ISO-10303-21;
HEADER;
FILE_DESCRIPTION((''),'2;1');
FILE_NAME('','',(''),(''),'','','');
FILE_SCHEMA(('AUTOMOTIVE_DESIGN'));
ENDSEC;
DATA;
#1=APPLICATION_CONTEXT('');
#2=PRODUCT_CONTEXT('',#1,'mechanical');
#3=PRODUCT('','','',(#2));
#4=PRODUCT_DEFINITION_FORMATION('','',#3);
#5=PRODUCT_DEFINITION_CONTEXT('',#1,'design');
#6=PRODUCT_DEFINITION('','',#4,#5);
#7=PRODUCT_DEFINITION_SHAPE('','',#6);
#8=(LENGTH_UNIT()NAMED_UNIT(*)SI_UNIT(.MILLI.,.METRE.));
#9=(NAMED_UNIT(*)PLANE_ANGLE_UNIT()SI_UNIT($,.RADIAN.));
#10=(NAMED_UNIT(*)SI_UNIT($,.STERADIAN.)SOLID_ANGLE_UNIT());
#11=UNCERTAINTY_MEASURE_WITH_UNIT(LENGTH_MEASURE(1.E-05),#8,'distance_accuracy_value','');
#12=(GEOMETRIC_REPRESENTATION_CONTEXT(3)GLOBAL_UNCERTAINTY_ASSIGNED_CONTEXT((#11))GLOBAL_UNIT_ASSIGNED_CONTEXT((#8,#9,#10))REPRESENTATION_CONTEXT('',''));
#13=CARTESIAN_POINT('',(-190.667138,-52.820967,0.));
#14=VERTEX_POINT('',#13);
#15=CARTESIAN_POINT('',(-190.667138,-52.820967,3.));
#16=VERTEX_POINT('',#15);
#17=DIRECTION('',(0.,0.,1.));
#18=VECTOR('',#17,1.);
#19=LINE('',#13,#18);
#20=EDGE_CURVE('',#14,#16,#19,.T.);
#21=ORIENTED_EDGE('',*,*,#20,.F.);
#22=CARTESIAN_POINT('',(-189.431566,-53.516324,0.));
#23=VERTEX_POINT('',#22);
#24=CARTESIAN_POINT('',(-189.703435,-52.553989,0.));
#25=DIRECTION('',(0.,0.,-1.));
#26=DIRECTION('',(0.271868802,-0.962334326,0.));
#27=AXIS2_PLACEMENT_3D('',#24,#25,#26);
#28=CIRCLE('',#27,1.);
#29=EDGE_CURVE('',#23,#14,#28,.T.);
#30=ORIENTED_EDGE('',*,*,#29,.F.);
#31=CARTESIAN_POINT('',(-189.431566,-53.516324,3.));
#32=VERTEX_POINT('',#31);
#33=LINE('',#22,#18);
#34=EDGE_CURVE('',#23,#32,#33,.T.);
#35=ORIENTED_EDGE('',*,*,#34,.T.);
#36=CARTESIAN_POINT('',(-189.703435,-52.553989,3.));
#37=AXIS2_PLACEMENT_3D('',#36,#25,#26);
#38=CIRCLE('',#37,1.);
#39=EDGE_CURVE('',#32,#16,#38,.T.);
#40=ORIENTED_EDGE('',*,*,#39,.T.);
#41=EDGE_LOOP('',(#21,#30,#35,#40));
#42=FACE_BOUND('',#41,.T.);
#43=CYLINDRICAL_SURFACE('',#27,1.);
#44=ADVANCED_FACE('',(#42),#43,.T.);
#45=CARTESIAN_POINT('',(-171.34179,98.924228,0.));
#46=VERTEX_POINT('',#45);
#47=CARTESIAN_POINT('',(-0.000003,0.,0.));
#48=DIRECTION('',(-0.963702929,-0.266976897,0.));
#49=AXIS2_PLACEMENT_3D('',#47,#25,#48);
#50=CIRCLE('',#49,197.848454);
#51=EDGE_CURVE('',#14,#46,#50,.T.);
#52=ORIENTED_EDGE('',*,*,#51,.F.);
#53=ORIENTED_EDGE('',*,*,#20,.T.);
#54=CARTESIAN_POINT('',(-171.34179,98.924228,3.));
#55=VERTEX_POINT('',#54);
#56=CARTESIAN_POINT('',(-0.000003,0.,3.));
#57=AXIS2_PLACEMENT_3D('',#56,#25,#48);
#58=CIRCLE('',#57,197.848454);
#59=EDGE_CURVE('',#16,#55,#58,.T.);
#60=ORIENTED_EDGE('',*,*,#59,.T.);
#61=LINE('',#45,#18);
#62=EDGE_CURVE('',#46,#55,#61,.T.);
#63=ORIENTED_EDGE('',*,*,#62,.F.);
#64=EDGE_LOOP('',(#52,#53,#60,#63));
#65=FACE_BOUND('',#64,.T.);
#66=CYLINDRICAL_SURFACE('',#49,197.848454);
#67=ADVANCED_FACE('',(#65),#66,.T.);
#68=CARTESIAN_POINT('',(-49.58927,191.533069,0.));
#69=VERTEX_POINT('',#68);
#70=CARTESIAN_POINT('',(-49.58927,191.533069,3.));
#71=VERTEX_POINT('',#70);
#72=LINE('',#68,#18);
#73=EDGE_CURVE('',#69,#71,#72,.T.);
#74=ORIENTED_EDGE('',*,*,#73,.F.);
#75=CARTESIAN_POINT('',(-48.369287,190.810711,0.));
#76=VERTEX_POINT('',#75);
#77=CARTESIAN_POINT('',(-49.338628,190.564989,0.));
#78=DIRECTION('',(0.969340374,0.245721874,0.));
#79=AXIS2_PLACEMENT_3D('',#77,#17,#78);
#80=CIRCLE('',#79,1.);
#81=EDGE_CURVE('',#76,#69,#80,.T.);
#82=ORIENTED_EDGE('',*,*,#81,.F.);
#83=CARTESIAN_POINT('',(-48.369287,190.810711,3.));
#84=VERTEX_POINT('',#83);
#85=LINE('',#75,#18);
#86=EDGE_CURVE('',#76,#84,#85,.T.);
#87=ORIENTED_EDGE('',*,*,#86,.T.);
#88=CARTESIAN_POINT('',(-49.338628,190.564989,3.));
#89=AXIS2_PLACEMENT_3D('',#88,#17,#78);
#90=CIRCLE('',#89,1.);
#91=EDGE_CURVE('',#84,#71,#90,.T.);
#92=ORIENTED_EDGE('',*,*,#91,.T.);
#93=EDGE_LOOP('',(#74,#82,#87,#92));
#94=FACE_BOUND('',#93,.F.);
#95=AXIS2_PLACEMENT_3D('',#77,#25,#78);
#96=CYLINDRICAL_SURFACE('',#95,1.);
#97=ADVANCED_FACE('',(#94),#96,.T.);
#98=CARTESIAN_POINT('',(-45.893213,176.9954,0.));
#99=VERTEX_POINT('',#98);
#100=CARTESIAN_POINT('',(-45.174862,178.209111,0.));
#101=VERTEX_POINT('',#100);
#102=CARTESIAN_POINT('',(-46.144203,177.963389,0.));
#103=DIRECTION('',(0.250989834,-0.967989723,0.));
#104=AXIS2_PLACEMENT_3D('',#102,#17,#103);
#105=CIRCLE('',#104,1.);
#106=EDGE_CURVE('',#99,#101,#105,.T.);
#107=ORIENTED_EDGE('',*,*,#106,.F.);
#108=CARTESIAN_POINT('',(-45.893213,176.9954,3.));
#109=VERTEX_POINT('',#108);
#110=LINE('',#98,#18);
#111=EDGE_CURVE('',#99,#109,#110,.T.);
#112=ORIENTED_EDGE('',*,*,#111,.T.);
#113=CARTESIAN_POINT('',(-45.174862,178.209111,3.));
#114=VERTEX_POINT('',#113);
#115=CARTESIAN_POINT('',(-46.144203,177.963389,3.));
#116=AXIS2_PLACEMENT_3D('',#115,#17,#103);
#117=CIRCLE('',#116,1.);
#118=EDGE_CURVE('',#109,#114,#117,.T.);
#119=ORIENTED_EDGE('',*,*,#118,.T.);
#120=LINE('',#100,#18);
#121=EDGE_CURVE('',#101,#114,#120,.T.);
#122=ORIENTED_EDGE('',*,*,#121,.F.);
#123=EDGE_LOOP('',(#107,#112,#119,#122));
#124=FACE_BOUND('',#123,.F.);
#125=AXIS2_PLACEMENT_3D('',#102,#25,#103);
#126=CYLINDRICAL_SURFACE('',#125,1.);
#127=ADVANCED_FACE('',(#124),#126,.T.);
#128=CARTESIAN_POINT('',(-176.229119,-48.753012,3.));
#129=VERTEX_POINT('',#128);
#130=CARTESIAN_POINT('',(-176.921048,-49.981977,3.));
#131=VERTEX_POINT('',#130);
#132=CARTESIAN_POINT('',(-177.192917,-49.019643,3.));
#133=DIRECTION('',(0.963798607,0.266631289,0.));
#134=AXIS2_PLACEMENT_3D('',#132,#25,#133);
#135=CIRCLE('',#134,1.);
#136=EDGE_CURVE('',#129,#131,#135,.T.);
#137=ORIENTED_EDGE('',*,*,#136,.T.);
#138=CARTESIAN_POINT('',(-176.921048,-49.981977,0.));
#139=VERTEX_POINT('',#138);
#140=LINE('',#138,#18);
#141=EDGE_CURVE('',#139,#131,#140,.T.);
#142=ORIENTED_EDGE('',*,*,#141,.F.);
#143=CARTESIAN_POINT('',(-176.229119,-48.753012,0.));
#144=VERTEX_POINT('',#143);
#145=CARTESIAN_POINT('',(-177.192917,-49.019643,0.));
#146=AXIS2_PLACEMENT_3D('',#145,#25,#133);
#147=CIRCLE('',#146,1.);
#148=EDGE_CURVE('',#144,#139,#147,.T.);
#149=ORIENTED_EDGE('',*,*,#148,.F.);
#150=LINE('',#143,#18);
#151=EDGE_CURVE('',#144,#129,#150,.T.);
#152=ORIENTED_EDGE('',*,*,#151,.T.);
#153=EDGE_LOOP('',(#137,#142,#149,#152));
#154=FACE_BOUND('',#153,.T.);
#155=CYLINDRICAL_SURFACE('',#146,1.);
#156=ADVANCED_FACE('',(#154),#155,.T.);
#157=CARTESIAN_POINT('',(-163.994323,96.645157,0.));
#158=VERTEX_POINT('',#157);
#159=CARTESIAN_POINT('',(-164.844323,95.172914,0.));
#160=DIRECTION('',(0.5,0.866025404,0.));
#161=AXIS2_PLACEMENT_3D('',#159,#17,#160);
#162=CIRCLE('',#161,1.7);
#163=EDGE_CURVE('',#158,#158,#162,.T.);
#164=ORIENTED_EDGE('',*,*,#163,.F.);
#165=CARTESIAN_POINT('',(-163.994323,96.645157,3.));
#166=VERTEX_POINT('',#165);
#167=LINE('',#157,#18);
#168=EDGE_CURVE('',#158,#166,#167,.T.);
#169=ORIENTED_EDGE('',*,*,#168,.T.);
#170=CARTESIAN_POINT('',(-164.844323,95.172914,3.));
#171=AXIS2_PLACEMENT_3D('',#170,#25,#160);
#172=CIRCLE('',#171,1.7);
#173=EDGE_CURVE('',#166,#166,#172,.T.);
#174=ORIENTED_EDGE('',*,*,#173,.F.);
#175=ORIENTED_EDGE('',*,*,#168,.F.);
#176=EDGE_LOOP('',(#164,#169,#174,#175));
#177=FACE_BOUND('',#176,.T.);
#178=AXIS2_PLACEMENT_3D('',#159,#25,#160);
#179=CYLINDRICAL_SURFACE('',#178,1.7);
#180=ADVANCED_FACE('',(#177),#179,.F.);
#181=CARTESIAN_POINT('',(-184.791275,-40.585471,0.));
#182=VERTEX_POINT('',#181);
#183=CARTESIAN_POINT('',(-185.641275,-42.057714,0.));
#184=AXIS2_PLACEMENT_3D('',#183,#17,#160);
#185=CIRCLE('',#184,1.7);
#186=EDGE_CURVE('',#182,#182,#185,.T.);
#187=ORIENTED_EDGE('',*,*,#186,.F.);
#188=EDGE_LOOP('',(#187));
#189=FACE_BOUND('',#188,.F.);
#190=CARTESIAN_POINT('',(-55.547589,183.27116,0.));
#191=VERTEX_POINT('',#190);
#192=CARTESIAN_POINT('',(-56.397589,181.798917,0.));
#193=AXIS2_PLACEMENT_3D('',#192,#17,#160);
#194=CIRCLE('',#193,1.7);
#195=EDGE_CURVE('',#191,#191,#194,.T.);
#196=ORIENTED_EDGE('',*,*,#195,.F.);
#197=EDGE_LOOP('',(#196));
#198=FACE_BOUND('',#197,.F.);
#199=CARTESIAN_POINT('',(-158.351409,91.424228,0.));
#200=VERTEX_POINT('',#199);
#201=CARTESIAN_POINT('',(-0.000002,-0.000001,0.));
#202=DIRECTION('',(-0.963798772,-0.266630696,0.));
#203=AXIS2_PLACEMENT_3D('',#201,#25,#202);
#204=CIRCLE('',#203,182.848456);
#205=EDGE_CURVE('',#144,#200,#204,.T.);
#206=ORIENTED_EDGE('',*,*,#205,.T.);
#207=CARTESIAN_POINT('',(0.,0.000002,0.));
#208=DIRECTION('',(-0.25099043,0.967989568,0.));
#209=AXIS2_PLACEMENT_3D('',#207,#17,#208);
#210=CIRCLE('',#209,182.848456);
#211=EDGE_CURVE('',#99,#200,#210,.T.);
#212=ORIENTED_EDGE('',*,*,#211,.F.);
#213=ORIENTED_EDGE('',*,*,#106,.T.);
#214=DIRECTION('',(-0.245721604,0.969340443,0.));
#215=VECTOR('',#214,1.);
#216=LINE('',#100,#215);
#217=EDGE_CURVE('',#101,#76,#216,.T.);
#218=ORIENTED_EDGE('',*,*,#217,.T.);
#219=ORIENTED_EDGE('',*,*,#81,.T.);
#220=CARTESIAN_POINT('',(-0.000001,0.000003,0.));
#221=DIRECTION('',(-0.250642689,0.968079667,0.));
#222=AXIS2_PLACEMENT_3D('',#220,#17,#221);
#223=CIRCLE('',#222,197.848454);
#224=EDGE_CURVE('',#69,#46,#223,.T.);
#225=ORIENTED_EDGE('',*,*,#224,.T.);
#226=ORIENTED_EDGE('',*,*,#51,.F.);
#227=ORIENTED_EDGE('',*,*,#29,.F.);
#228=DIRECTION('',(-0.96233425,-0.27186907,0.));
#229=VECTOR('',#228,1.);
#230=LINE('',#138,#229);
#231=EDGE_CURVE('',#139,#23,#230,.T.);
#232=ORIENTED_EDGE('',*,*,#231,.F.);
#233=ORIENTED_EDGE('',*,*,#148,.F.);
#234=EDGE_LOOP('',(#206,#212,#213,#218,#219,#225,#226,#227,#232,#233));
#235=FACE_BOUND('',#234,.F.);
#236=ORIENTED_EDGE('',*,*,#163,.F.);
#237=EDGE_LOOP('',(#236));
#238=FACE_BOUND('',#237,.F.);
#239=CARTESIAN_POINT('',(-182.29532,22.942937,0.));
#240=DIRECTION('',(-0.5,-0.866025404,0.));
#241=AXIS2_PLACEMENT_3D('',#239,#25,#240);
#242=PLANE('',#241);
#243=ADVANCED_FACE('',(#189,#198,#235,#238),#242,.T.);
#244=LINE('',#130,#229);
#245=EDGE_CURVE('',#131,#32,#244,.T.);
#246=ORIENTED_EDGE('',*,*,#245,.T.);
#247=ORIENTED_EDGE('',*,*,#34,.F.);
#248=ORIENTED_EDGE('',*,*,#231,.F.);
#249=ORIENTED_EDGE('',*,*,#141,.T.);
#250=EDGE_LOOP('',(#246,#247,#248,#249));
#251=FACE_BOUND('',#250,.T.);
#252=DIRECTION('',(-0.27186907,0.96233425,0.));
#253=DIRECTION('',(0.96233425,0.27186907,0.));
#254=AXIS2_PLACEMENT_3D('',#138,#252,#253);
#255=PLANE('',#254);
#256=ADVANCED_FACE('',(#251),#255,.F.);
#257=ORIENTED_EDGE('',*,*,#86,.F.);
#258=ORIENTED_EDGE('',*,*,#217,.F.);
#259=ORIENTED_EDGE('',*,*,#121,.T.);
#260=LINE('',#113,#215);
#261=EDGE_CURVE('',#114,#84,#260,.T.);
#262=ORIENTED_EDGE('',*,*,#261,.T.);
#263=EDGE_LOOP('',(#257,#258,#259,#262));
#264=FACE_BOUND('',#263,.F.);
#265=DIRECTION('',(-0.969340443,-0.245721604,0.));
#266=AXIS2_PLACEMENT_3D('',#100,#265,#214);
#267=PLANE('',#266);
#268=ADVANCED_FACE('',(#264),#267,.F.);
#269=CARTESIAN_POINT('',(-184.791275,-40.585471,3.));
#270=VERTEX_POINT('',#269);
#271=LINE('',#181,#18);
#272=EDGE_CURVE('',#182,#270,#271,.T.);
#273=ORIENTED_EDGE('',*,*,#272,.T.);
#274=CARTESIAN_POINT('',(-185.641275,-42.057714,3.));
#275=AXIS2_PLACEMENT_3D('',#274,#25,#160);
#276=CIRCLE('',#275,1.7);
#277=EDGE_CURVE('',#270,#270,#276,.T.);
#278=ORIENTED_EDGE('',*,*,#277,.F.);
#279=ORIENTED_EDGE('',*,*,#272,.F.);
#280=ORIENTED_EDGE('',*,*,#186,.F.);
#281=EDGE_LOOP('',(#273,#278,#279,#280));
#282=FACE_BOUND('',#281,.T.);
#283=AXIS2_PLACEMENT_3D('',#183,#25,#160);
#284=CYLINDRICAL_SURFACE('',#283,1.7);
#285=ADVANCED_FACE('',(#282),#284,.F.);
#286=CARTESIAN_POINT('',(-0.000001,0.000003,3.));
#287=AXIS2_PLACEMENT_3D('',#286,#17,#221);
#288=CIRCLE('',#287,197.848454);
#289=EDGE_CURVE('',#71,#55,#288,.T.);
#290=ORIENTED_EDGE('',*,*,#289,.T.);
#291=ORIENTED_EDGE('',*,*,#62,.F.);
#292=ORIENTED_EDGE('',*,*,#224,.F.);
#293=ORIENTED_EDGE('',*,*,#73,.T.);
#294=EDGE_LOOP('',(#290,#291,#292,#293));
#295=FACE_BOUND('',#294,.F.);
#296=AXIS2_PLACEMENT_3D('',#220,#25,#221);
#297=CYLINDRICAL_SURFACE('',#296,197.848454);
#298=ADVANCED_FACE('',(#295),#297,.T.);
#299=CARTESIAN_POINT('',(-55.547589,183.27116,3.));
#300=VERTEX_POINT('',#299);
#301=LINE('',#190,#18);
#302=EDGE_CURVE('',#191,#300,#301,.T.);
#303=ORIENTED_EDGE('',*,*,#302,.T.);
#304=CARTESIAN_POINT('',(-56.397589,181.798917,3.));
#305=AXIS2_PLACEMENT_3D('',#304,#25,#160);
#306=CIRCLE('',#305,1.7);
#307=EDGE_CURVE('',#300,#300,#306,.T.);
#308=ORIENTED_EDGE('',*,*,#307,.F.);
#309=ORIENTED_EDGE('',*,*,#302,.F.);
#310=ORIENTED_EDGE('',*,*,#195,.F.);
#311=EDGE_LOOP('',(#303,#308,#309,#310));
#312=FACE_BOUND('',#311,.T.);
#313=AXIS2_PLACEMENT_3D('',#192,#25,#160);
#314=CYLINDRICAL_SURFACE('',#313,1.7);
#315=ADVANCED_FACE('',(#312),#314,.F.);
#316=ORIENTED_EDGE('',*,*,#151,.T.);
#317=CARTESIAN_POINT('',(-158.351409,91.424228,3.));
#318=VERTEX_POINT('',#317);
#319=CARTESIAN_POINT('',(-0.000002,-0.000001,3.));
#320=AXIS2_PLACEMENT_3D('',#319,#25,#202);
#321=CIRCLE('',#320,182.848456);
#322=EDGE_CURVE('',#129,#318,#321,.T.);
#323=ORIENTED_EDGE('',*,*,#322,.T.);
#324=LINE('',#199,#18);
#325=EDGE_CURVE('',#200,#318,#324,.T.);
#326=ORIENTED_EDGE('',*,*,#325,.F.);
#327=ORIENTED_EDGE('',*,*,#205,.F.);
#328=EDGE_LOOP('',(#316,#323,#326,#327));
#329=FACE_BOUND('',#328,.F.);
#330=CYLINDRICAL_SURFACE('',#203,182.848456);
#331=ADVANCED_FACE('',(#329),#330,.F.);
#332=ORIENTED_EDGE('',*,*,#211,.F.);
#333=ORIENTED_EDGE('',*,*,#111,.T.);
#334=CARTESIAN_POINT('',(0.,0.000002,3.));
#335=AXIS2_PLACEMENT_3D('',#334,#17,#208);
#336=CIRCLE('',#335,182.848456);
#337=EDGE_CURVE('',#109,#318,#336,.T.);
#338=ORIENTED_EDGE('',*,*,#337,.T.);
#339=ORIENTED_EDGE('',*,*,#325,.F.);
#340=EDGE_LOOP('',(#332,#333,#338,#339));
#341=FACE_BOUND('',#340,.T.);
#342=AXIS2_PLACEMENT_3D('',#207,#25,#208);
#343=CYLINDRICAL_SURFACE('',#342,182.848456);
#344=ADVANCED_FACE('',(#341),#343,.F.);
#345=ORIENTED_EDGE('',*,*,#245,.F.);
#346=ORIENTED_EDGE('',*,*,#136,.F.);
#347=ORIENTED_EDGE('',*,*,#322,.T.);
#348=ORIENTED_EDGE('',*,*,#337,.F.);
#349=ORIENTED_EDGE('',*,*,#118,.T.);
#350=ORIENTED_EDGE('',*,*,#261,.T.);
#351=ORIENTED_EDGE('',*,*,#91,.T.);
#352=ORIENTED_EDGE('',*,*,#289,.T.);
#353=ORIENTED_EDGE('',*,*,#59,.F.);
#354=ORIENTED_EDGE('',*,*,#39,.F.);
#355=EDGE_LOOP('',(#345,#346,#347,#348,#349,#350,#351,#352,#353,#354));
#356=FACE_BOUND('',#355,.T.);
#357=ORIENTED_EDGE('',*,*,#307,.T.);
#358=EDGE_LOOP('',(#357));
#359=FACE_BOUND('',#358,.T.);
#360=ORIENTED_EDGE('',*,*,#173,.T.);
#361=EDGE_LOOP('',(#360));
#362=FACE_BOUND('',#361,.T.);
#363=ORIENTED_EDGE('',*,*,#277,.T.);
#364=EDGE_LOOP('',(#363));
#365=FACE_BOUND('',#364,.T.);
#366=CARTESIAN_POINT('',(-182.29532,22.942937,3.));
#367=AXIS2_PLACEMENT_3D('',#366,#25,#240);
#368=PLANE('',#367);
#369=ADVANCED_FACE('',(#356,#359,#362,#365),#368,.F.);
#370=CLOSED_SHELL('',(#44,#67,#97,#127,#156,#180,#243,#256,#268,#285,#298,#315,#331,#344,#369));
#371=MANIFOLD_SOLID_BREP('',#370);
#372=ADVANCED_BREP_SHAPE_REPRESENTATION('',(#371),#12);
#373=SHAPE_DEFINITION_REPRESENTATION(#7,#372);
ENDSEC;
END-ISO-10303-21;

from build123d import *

# Parameters (mm, degrees)
PAD015_DEPTH                        = 3
SKETCH054_R                         = 1.7
POCKET018_DEPTH                     = 0.001
POCKET018_DEPTH_BACK                = 3.001
BODY001003005003004_PLACEMENT_ANGLE = 60


with BuildPart() as part:
    # Sketch053 → Pad015 (new body)
    with BuildSketch(Plane.XY):
        with BuildLine():
            Line((0, 182.848457), (0, 197.848457))
            ThreePointArc((141.077868, 138.712102), (76.485413, 182.466418), (0, 197.848457))
            ThreePointArc((141.062279, 137.294387), (141.364747, 138.000004), (141.077868, 138.712102))
            Line((131.746186, 128.227134), (141.062279, 137.294387))
            ThreePointArc((130.335906, 128.242388), (131.037899, 127.943805), (131.746186, 128.227134))
            ThreePointArc((130.335906, 128.242388), (70.656336, 168.64531), (0, 182.848457))
        make_face()
    pad015 = extrude(amount=PAD015_DEPTH)

    # Mirrored020: Pad015 across Sketch053 V_Axis
    add(pad015.mirror(Plane(origin=(0, 0, 0), x_dir=(0, 0, 1), z_dir=(1, 0, 0))))

    # Sketch054 → Pocket018 (cut, two sides)
    with BuildSketch(Plane.XY) as pocket018_sk:
        with Locations((129.243686, 139.741203)):
            Circle(SKETCH054_R)
        with Locations((0, 190.345828)):
            Circle(SKETCH054_R)
        with Locations((-129.243686, 139.741203)):
            Circle(SKETCH054_R)
    extrude(amount=-POCKET018_DEPTH, mode=Mode.SUBTRACT)
    extrude(pocket018_sk.sketch, amount=POCKET018_DEPTH_BACK, mode=Mode.SUBTRACT)


with BuildPart() as part_1:
    # Body001003005003004 placement: moved
    add(part.part.rotate(Axis((0, 0, 0), (0, 0, 1)), BODY001003005003004_PLACEMENT_ANGLE))


solid = part_1.part
